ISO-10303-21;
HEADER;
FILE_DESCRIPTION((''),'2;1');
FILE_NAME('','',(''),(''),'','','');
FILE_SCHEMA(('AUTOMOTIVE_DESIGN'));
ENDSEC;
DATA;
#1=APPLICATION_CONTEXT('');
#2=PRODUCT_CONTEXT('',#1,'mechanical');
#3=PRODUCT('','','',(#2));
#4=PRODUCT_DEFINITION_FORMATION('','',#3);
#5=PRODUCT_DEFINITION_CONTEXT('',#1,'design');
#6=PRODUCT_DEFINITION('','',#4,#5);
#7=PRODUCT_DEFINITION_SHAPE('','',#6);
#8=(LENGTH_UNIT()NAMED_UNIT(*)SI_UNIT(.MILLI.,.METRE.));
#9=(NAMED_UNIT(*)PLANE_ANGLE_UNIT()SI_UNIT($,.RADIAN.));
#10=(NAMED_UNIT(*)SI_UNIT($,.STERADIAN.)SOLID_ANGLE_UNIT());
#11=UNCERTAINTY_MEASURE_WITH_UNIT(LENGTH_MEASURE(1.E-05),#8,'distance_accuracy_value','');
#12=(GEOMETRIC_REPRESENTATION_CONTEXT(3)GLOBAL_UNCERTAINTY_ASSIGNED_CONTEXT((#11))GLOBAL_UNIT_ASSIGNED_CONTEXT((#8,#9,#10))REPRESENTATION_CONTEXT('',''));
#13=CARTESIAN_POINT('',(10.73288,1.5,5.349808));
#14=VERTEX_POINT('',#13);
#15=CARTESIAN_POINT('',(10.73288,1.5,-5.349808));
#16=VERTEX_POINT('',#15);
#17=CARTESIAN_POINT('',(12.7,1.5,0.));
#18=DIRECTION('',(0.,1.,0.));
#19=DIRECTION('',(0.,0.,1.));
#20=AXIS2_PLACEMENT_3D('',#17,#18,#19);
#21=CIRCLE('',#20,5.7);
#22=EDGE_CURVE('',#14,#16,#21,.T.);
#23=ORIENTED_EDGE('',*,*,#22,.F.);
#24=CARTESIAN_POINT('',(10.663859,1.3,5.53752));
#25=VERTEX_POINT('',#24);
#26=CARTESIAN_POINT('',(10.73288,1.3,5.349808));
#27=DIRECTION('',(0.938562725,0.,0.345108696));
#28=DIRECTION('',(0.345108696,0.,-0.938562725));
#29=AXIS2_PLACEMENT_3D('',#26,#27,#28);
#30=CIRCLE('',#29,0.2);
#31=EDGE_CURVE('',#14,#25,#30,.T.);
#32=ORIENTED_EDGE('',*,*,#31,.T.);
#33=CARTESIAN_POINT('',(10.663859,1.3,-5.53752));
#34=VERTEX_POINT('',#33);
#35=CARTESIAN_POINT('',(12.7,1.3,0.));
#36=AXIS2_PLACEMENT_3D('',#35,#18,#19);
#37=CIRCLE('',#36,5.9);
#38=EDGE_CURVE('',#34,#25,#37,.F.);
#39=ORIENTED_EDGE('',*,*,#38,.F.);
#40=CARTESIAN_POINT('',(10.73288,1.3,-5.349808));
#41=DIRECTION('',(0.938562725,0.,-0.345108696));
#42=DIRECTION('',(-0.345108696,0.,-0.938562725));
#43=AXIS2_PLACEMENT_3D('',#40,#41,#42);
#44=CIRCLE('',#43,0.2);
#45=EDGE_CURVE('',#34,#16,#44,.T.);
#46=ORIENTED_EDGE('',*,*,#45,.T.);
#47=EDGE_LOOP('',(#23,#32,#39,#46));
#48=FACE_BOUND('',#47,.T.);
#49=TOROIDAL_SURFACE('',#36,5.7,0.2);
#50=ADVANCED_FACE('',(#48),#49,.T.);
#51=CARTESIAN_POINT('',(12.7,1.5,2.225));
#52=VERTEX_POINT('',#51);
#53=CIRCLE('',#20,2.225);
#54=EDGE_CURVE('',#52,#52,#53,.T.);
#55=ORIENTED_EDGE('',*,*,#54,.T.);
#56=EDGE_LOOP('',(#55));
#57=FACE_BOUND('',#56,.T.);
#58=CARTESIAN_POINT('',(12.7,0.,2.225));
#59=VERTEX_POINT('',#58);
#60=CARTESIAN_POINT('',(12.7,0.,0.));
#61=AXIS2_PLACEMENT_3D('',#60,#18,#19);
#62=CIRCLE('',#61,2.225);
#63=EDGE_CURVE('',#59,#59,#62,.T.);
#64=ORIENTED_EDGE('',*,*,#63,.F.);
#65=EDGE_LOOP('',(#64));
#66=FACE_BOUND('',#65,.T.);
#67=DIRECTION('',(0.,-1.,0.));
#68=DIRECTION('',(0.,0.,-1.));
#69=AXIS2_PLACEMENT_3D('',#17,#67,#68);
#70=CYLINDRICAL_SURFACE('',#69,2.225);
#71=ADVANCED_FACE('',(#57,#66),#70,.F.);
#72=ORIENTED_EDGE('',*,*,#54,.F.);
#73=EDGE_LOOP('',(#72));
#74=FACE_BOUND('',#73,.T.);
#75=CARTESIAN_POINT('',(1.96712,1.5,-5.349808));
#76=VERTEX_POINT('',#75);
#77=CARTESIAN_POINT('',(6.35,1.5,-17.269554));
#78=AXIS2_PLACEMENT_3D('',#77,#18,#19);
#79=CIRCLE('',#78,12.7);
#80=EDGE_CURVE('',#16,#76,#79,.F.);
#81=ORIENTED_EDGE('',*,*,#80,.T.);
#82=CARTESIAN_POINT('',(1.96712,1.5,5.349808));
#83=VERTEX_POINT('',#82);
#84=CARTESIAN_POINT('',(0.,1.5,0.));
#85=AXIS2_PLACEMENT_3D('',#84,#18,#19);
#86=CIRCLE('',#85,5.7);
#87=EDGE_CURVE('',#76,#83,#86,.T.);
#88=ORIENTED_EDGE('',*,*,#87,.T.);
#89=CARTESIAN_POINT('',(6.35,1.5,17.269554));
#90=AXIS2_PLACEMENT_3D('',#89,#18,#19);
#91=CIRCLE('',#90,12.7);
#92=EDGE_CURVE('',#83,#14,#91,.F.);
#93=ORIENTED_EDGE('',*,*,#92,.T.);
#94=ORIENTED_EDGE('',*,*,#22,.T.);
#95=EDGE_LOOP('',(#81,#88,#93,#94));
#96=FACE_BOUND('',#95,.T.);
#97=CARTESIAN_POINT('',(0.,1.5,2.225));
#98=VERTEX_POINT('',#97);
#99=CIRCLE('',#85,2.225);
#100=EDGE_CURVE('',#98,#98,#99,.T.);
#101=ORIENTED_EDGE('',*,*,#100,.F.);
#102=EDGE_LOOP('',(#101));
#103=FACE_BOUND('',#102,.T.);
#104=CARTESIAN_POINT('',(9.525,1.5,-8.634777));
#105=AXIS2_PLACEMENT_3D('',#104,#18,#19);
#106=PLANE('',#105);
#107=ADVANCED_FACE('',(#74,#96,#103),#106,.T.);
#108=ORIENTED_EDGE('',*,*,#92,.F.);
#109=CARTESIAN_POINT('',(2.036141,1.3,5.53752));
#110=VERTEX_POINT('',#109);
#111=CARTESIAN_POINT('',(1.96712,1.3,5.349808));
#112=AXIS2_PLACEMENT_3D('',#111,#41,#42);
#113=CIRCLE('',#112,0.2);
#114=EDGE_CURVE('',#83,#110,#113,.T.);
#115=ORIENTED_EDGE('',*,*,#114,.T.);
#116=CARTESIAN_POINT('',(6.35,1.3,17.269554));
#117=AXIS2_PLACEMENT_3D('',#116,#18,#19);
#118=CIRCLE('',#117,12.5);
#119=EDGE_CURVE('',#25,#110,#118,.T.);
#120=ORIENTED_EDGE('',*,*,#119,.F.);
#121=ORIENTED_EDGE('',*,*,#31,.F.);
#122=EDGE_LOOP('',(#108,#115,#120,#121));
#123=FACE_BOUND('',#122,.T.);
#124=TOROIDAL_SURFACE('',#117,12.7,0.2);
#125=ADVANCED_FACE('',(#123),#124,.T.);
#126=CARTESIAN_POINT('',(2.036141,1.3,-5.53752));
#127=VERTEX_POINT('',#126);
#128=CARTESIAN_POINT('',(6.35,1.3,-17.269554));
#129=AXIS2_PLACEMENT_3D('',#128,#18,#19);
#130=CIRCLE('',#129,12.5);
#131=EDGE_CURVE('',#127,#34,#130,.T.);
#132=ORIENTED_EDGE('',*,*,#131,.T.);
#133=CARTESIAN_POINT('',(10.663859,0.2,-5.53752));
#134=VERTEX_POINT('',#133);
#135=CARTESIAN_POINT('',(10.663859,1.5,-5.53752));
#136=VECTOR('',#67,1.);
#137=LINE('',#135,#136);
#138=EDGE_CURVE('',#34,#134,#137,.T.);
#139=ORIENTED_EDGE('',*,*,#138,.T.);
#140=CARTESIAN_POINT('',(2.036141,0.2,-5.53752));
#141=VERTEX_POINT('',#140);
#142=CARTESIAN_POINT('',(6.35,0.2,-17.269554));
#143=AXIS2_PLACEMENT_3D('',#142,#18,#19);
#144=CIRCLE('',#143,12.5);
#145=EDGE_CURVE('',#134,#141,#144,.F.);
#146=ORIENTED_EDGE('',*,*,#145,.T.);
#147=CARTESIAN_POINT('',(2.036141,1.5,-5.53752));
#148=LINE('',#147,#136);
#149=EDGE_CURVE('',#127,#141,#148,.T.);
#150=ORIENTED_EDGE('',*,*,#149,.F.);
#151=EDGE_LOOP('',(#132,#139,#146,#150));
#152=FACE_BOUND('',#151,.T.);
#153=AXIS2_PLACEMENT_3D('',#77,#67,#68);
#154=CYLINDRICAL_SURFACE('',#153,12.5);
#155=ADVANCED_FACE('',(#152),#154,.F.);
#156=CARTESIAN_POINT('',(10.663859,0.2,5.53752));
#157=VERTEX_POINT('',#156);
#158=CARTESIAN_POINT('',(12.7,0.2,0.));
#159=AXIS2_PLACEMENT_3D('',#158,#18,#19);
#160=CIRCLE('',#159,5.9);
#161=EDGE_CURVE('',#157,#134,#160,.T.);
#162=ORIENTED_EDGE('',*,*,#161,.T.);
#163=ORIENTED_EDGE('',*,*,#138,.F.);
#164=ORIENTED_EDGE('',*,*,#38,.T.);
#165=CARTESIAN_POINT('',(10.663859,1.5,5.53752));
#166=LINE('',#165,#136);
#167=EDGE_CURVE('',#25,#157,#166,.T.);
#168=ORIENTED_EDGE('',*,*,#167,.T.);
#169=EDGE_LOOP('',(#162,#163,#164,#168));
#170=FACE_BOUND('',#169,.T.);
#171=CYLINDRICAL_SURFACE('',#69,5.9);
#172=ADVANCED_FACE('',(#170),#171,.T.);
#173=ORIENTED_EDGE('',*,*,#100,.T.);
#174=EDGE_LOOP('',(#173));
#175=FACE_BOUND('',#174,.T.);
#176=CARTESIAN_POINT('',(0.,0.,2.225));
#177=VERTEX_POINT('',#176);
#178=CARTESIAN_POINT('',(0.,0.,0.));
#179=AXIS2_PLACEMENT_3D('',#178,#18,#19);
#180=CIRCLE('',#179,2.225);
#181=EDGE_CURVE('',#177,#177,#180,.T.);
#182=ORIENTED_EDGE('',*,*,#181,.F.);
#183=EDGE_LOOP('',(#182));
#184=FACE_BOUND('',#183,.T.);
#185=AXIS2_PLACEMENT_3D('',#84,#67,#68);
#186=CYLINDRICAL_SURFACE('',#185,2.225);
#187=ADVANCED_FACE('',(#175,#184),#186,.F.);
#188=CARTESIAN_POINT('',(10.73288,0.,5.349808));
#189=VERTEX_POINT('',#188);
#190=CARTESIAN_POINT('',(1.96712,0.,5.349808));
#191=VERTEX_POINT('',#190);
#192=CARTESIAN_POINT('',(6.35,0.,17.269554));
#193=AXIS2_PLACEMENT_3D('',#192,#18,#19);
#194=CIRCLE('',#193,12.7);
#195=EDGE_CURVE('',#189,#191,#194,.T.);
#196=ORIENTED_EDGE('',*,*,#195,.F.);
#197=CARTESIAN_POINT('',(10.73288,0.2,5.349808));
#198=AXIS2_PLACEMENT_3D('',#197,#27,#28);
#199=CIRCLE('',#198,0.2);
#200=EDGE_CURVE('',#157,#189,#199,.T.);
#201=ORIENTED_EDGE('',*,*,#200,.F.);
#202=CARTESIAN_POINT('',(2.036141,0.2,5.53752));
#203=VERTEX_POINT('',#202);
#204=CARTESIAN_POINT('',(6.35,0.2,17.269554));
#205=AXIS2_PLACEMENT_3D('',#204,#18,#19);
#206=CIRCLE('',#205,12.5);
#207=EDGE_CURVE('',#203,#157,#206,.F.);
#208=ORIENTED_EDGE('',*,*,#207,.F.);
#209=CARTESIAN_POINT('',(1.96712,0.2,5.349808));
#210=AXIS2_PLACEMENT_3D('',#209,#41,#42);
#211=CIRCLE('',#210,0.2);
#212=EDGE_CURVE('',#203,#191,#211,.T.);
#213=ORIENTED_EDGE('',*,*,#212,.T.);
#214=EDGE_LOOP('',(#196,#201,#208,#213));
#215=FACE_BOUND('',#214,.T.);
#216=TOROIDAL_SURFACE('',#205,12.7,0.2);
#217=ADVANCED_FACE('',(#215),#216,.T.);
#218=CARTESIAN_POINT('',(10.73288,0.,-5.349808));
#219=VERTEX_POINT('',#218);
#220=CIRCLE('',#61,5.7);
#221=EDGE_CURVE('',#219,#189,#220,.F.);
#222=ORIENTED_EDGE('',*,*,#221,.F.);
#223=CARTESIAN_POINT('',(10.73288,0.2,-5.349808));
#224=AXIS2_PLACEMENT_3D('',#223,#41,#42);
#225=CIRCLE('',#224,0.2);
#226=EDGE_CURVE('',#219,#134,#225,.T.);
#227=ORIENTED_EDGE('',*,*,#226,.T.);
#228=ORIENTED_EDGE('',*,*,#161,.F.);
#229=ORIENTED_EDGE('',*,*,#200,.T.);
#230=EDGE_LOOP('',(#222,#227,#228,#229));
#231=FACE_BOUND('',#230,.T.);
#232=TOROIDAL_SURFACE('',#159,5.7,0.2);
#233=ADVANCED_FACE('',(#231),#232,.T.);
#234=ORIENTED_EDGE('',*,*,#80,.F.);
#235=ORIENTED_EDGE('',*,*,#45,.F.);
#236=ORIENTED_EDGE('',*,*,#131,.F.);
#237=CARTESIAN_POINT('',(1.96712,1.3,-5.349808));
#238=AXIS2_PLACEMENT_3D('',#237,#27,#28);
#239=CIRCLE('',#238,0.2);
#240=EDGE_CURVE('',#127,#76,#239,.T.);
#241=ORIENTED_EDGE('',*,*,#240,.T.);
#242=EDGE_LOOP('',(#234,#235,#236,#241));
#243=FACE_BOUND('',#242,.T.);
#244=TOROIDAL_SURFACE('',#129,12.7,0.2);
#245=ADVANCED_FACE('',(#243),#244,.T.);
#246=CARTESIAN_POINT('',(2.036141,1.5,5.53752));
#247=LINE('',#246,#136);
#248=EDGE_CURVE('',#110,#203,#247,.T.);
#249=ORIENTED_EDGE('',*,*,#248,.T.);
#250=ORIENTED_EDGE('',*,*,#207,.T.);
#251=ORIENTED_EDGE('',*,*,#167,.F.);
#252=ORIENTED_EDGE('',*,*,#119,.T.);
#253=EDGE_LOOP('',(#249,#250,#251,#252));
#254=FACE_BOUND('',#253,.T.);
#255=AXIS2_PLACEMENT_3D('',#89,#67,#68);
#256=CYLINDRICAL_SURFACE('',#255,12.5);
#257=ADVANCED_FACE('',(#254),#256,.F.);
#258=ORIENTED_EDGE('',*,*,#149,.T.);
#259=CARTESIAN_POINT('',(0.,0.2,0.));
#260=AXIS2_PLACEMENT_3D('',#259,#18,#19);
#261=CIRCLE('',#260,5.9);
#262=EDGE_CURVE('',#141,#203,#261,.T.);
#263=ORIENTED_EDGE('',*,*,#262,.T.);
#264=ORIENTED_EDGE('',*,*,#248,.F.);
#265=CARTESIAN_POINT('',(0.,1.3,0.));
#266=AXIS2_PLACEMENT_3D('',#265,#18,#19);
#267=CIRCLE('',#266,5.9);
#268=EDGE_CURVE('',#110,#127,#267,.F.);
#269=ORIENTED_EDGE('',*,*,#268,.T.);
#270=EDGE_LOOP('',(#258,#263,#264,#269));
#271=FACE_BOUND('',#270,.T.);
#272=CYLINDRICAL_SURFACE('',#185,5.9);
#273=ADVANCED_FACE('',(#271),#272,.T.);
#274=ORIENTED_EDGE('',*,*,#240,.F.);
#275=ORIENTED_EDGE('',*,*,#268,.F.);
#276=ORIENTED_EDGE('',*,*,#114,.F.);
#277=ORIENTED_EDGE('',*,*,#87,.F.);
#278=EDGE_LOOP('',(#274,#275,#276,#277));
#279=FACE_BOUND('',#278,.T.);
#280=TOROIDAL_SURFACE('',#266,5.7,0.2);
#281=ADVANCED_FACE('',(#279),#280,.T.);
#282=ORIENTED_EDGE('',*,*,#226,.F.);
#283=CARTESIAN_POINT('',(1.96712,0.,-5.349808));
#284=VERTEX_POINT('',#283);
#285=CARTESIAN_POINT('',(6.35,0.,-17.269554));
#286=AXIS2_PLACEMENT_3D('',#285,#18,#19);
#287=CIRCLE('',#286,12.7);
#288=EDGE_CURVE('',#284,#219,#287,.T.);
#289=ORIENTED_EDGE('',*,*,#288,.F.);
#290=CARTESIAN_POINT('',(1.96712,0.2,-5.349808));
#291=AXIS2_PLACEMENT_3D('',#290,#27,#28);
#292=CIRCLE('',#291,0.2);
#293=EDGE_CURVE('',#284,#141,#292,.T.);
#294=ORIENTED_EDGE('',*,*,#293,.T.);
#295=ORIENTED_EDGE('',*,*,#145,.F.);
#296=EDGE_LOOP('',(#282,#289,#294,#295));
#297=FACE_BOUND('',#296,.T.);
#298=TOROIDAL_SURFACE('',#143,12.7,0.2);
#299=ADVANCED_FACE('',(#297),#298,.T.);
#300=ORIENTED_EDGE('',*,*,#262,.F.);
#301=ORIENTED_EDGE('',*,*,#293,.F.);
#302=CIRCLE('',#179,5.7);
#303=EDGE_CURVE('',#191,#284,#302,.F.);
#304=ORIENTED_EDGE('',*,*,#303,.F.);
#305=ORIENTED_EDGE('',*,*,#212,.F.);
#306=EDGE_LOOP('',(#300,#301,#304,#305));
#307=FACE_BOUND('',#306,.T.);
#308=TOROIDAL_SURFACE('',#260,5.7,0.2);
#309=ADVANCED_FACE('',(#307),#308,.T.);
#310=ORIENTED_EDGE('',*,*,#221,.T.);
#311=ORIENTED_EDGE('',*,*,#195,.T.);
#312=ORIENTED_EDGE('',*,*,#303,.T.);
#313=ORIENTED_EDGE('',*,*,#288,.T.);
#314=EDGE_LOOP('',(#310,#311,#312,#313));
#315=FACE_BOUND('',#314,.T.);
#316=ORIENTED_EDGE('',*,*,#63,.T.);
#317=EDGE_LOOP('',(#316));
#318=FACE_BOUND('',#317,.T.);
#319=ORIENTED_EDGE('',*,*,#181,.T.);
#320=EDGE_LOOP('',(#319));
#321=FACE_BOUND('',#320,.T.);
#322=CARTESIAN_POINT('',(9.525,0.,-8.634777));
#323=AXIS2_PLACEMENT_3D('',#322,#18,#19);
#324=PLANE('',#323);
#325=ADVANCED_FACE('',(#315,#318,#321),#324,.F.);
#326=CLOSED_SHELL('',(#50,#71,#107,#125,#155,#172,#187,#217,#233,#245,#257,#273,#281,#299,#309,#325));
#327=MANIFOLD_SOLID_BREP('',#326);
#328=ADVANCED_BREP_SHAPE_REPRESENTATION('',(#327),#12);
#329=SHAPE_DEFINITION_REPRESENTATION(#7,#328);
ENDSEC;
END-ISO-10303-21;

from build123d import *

# Parameters (mm, degrees)
SZKIC1_R                    = 2.225
DODANIE_WYCI_GNI_CIE1_DEPTH = 1.5
ZAOKR_GLENIE1_R             = 0.2


with BuildPart() as part:
    # Szkic1 → Dodanie-wyciągnięcie1 (new body)
    with BuildSketch(Plane(origin=(0, 0, 0), x_dir=(1, 0, 0), z_dir=(0, 1, 0))):
        with BuildLine():
            ThreePointArc((2.036141304, 5.537520076), (-5.9, 0), (2.036141304, -5.537520076))
            ThreePointArc((2.036141304, -5.537520076), (6.35, -4.769554134), (10.663858696, -5.537520076))
            ThreePointArc((10.663858696, -5.537520076), (18.6, 0), (10.663858696, 5.537520076))
            ThreePointArc((10.663858696, 5.537520076), (6.35, 4.769554134), (2.036141304, 5.537520076))
        make_face()
        with Locations(Location((0, 0, 0), (0, 0, 270))):
            Circle(SZKIC1_R, mode=Mode.SUBTRACT)
        with Locations(Location((12.7, 0, 0), (0, 0, 270))):
            Circle(SZKIC1_R, mode=Mode.SUBTRACT)
    extrude(amount=DODANIE_WYCI_GNI_CIE1_DEPTH)

    # Zaokrąglenie1
    zaokr_glenie1_edges = [part.edges().sort_by_distance(p)[0] for p in [
        (6.35, 1.5, 4.769554134),
        (18.6, 1.5, 0),
        (6.35, 1.5, -4.769554134),
        (18.6, 0, 0),
        (6.35, 0, 4.769554134),
        (-5.9, 0, 0),
        (6.35, 0, -4.769554134),
        (-5.9, 1.5, 0),
    ]]
    fillet(zaokr_glenie1_edges, radius=ZAOKR_GLENIE1_R)


solid = part.part
